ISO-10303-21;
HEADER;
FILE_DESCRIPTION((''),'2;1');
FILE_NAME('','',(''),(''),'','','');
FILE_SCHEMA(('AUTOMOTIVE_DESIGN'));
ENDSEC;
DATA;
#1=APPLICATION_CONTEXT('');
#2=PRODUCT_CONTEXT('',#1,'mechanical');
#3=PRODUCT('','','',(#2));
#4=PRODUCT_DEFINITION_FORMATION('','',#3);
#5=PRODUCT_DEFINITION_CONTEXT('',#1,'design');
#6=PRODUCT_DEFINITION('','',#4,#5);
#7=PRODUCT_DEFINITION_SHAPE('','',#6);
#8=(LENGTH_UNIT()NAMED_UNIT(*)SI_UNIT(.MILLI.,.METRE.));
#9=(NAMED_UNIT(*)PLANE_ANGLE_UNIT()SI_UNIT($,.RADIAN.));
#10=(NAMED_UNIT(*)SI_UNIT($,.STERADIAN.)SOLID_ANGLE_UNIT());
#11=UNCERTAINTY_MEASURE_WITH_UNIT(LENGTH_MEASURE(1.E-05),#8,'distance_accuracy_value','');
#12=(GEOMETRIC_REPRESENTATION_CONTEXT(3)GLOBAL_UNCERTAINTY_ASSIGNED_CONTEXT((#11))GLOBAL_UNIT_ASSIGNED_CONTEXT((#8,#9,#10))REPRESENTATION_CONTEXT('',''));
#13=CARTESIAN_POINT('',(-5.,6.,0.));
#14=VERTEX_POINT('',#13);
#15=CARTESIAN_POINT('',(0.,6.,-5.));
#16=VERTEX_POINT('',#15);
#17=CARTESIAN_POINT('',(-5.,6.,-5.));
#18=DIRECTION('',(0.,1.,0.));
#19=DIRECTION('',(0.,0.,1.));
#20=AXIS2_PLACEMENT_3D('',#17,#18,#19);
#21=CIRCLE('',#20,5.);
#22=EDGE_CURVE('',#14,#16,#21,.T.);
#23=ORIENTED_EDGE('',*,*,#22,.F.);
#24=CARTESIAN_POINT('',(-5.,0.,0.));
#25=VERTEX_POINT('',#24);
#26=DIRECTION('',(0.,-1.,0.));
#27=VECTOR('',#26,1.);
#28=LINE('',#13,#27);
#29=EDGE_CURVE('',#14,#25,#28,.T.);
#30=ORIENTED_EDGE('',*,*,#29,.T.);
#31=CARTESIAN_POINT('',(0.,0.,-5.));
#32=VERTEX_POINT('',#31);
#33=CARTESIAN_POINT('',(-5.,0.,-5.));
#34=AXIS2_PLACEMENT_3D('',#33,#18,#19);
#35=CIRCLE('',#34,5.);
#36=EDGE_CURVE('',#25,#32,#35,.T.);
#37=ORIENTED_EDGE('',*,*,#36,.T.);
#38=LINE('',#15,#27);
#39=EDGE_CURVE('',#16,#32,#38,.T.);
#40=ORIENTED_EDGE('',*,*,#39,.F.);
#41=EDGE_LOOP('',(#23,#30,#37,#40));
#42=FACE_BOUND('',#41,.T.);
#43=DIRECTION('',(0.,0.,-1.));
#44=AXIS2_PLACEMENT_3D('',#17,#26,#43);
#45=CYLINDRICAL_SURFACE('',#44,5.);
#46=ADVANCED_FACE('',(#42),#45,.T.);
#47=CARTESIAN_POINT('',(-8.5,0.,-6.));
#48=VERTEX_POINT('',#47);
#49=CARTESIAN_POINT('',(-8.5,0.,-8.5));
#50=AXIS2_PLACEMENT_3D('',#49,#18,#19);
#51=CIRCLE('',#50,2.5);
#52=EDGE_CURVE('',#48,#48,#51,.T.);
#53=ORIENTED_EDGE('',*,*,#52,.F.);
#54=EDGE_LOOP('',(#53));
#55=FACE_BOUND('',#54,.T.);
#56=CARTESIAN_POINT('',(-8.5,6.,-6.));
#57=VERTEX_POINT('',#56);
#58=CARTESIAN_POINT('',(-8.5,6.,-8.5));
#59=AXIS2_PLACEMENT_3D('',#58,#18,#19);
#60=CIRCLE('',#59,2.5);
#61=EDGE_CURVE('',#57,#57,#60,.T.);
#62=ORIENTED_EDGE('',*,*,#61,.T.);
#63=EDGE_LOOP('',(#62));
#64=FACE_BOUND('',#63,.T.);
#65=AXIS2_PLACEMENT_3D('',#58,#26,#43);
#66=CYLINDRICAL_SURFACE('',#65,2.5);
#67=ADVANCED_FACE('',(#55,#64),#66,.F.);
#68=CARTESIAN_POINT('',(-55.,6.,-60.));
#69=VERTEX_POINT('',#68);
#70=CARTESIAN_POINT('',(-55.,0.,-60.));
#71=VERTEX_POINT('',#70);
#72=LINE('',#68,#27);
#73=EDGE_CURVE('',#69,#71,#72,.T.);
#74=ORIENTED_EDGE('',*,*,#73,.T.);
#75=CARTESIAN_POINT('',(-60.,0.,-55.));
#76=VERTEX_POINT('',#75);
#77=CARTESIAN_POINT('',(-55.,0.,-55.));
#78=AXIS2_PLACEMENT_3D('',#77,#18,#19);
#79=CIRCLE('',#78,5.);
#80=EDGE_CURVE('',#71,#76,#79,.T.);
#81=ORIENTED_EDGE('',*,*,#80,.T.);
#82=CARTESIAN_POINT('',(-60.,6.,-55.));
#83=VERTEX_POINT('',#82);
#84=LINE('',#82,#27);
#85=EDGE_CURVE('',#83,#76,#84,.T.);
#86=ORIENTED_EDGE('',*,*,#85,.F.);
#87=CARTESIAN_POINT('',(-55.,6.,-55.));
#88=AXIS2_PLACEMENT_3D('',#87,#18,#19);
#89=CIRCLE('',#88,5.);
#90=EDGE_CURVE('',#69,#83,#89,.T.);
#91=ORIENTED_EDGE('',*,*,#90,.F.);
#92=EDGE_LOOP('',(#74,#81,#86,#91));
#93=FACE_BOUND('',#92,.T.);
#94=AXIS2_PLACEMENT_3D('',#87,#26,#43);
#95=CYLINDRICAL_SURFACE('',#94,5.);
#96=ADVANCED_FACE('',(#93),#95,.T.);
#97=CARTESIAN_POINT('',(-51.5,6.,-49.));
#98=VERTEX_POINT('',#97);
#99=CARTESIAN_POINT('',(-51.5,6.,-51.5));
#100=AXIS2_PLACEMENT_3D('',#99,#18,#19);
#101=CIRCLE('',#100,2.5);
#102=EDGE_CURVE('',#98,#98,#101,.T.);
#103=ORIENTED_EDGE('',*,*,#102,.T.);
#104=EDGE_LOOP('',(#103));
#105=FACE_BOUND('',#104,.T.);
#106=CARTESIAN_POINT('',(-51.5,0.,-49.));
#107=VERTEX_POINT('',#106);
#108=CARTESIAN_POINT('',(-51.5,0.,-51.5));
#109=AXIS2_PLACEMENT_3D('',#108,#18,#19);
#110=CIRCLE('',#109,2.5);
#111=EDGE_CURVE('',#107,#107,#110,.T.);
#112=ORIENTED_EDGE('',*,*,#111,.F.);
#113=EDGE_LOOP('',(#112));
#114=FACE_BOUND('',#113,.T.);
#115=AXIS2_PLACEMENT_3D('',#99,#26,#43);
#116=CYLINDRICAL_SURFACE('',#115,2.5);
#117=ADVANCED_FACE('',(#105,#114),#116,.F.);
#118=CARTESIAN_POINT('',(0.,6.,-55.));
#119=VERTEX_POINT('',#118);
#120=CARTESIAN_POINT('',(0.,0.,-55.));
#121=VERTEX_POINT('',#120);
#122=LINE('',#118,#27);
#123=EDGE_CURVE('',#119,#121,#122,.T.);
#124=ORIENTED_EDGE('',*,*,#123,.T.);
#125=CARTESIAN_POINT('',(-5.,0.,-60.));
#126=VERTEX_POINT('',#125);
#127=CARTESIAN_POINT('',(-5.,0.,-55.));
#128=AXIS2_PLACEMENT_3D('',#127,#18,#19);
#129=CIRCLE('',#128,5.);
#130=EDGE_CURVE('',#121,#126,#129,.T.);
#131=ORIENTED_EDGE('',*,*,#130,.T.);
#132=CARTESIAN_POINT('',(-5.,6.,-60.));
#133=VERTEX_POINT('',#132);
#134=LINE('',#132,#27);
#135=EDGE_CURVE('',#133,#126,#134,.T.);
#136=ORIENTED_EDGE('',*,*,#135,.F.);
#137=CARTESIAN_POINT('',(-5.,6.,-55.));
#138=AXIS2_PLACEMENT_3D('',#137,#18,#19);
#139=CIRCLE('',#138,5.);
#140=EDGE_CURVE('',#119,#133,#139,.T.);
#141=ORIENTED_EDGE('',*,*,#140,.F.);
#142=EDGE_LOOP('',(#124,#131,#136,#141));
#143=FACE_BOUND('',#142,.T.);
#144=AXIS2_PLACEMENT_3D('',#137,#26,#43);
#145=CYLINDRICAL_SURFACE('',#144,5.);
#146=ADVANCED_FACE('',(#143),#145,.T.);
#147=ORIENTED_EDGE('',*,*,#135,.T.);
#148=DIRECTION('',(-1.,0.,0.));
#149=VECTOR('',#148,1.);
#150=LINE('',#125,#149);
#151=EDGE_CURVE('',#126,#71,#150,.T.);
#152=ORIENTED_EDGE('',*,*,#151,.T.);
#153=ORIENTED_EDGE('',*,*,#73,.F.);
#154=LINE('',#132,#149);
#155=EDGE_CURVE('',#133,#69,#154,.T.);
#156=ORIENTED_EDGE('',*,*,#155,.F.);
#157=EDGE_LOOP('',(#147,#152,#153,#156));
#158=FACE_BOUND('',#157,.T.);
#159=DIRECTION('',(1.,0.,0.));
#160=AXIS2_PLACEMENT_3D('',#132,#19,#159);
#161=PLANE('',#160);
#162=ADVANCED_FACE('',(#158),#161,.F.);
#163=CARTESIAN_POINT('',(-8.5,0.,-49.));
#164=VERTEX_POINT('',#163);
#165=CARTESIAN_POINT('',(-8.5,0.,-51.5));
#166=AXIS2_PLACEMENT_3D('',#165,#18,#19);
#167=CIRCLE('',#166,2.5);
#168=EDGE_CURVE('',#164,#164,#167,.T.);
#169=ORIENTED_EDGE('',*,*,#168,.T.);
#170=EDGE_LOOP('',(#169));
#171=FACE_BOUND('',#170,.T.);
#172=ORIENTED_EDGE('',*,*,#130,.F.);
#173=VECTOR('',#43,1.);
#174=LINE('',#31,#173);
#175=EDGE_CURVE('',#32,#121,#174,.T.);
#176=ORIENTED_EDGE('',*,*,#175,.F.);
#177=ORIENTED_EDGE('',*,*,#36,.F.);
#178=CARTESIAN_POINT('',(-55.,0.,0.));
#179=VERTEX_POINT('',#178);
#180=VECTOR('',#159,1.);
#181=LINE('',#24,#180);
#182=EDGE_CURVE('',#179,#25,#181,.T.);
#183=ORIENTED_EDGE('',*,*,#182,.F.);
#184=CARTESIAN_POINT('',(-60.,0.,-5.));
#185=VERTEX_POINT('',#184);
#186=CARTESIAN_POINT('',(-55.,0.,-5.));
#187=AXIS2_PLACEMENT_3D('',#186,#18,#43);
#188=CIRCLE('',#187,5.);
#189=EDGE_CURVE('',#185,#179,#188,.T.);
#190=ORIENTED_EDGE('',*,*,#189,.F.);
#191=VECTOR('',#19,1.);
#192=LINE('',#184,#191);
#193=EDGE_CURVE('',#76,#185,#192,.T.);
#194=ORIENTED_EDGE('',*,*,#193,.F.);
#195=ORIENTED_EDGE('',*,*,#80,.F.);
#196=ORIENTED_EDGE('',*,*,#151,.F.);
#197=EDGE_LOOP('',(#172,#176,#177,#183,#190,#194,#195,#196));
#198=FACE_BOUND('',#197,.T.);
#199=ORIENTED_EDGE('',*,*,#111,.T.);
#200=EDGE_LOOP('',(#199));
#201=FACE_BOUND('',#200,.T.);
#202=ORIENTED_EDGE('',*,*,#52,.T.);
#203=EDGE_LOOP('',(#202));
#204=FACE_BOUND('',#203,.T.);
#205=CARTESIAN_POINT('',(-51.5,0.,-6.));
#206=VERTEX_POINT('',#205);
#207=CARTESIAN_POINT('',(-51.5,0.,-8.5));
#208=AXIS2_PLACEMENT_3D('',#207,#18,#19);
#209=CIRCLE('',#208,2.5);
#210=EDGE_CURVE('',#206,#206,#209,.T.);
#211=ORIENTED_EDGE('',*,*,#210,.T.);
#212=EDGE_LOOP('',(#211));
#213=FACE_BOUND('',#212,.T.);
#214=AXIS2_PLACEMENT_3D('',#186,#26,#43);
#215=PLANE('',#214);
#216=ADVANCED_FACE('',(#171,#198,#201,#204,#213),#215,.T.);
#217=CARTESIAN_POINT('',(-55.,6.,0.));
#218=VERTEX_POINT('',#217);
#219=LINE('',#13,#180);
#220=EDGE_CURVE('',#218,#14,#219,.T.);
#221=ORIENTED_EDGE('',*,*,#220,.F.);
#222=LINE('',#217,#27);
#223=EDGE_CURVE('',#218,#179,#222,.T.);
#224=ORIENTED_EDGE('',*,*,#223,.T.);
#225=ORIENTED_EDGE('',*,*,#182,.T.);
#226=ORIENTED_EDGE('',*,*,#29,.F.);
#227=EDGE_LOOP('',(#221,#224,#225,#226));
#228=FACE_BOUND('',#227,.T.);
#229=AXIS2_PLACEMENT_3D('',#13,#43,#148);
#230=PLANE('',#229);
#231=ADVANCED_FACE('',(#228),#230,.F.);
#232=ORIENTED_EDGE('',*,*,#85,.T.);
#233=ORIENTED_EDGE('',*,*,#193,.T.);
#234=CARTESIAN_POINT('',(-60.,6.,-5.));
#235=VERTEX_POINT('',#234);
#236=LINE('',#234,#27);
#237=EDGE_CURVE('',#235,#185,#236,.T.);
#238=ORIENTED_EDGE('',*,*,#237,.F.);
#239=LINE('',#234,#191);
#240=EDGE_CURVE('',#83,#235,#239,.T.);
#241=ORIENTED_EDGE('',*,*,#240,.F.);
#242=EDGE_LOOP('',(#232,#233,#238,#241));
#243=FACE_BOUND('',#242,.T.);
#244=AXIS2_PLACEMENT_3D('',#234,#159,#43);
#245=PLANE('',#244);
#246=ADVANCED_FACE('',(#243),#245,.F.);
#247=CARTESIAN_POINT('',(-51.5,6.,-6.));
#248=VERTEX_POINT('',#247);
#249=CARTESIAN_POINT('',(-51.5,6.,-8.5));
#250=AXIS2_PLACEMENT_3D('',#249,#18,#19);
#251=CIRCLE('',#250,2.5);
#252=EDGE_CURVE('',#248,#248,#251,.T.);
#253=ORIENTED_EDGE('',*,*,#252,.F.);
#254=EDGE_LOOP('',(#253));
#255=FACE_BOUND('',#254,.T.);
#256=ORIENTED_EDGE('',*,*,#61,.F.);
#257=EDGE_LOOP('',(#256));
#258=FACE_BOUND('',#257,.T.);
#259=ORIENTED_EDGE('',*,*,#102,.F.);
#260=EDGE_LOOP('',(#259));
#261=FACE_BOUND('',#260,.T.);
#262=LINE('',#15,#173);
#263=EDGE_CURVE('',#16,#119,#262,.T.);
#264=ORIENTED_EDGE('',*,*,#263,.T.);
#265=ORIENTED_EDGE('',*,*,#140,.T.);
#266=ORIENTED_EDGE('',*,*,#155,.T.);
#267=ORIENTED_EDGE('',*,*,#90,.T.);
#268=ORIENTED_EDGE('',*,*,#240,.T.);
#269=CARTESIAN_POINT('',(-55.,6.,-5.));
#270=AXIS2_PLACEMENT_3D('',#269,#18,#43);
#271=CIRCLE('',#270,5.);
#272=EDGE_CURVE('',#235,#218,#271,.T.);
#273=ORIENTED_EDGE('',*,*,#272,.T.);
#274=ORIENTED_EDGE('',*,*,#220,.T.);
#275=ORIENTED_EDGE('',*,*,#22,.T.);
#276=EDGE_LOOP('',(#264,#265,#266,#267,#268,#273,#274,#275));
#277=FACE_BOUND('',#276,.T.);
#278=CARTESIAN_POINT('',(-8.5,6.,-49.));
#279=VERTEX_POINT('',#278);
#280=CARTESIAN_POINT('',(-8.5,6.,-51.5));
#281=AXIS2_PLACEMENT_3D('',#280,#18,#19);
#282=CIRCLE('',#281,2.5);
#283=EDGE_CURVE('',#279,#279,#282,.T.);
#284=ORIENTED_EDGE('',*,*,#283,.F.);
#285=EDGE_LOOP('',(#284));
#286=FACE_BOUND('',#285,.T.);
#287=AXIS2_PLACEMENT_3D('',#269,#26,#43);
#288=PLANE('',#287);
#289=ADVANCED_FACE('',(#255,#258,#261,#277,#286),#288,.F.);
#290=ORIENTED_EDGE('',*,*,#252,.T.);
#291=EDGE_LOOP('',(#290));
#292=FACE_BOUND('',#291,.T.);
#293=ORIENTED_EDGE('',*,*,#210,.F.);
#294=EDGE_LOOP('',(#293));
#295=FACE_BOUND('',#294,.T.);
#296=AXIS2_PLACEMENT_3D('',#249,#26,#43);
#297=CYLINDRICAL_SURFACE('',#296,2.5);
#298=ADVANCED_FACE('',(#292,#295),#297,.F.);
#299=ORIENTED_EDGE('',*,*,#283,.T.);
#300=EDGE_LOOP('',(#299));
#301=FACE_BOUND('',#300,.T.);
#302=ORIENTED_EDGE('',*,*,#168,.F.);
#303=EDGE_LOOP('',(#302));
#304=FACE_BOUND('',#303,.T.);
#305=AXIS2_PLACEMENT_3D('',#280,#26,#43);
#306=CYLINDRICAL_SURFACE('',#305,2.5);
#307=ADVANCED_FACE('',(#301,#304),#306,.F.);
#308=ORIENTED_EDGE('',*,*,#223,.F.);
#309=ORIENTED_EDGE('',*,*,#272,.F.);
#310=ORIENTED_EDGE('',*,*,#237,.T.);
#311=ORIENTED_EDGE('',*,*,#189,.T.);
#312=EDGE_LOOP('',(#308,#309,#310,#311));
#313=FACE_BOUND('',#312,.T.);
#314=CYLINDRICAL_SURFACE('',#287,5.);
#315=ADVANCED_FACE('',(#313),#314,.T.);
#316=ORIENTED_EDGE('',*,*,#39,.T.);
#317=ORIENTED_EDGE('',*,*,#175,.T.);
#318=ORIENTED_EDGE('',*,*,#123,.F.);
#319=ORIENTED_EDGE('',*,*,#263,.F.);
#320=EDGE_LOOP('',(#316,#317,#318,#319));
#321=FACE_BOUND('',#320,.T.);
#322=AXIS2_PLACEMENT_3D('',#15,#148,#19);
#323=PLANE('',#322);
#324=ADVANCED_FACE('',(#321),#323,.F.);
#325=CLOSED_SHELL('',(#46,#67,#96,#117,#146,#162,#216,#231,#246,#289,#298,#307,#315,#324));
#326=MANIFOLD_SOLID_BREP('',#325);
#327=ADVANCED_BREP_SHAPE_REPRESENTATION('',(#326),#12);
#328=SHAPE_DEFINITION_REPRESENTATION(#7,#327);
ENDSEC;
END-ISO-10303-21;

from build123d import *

# Parameters (mm, degrees)
SKETCH1_R           = 2.5
BOSS_EXTRUDE1_DEPTH = 6


with BuildPart() as part:
    # Sketch1 → Boss-Extrude1 (new body)
    with BuildSketch(Plane(origin=(0, 0, 0), x_dir=(1, 0, 0), z_dir=(0, 1, 0))):
        with BuildLine():
            Line((-5, 0), (-55, 0))
            ThreePointArc((-55, 0), (-58.535533906, 1.464466094), (-60, 5))
            Line((-60, 5), (-60, 55))
            ThreePointArc((-60, 55), (-58.535533906, 58.535533906), (-55, 60))
            Line((-55, 60), (-5, 60))
            ThreePointArc((-5, 60), (-1.464466094, 58.535533906), (0, 55))
            Line((0, 55), (0, 5))
            ThreePointArc((0, 5), (-1.464466094, 1.464466094), (-5, 0))
        make_face()
        with Locations((-51.5, 51.5)):
            Circle(SKETCH1_R, mode=Mode.SUBTRACT)
        with Locations((-8.5, 51.5)):
            Circle(SKETCH1_R, mode=Mode.SUBTRACT)
        with Locations((-8.5, 8.5)):
            Circle(SKETCH1_R, mode=Mode.SUBTRACT)
        with Locations((-51.5, 8.5)):
            Circle(SKETCH1_R, mode=Mode.SUBTRACT)
    extrude(amount=BOSS_EXTRUDE1_DEPTH)


solid = part.part
